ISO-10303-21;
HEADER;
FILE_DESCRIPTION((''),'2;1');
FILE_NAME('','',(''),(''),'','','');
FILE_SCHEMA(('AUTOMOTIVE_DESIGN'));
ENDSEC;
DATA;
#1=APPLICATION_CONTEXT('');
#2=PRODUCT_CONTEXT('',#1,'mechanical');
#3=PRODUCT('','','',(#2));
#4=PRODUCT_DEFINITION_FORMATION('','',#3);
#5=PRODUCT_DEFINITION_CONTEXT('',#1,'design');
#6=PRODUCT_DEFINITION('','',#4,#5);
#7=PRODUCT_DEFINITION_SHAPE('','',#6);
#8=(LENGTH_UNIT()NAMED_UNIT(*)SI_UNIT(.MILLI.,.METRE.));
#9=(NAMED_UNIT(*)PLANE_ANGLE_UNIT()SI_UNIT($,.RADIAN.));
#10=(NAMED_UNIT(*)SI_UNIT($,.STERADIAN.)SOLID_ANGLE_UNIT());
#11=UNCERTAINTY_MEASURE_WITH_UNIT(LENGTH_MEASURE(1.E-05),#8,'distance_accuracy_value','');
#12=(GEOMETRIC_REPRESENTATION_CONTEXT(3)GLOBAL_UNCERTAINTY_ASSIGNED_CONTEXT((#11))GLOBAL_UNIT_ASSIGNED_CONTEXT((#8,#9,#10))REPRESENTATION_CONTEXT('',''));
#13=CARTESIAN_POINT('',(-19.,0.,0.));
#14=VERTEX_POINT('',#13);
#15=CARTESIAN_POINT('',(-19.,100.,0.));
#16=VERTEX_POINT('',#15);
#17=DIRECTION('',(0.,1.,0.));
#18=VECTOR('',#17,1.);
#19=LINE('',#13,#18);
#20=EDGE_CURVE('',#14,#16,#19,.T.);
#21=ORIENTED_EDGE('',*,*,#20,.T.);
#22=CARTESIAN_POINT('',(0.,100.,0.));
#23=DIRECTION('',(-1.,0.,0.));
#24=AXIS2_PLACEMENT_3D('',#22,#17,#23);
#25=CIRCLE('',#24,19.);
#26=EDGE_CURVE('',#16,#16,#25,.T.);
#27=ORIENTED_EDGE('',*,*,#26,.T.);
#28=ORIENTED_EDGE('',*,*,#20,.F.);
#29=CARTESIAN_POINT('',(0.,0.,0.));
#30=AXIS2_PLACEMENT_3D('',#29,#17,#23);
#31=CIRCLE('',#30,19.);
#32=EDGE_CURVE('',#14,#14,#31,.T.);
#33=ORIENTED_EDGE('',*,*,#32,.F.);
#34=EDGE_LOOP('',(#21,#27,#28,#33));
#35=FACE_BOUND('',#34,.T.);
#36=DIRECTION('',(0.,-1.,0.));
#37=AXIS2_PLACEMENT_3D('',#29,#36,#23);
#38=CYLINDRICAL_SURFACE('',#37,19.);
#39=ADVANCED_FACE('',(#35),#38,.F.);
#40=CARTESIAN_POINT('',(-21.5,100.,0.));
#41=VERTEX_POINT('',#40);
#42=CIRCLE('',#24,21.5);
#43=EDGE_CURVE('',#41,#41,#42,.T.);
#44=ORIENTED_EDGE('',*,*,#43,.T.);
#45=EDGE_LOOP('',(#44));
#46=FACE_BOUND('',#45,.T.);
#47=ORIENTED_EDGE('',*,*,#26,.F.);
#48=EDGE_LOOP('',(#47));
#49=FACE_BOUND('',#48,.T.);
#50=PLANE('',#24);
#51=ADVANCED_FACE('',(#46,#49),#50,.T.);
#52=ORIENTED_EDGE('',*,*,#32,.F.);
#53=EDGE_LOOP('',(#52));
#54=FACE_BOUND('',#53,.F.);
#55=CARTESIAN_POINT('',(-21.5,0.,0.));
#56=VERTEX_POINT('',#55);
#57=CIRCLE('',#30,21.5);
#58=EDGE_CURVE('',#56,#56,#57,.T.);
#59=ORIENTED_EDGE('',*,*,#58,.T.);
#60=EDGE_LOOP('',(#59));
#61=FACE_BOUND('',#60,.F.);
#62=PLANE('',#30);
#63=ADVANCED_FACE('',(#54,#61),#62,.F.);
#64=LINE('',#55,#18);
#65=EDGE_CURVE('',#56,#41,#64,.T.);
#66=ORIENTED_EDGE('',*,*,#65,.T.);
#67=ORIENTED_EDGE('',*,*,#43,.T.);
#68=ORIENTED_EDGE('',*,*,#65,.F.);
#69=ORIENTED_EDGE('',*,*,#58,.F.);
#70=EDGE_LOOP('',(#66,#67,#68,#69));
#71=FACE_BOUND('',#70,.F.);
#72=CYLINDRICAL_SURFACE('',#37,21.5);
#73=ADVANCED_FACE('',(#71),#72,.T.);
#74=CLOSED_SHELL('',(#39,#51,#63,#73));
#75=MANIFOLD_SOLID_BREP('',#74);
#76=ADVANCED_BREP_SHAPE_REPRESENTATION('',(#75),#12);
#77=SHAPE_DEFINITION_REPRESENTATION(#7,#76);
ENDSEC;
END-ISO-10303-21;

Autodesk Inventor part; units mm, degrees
ref_plane "YZ Plane" through (0, 0, 0) normal (1, 0, 0) x (0, 1, 0)
ref_plane "XZ Plane" through (0, 0, 0) normal (0, 1, 0) x (-1, 0, 0)
ref_plane "XY Plane" through (0, 0, 0) normal (0, 0, 1) x (1, 0, 0)
sketch "Esquisse1" plane through (0, 0, 0) normal (0, 1, 0) x (-1, 0, 0)
  circle A0 centre (0, 0) radius 19
  circle A1 centre (0, 0) radius 21.5
  dimension "d0" = 38
  dimension "d1" = 43
extrude "Extrusion1" add sketch "Esquisse1" along normal blind 100
properties part number "tube"
